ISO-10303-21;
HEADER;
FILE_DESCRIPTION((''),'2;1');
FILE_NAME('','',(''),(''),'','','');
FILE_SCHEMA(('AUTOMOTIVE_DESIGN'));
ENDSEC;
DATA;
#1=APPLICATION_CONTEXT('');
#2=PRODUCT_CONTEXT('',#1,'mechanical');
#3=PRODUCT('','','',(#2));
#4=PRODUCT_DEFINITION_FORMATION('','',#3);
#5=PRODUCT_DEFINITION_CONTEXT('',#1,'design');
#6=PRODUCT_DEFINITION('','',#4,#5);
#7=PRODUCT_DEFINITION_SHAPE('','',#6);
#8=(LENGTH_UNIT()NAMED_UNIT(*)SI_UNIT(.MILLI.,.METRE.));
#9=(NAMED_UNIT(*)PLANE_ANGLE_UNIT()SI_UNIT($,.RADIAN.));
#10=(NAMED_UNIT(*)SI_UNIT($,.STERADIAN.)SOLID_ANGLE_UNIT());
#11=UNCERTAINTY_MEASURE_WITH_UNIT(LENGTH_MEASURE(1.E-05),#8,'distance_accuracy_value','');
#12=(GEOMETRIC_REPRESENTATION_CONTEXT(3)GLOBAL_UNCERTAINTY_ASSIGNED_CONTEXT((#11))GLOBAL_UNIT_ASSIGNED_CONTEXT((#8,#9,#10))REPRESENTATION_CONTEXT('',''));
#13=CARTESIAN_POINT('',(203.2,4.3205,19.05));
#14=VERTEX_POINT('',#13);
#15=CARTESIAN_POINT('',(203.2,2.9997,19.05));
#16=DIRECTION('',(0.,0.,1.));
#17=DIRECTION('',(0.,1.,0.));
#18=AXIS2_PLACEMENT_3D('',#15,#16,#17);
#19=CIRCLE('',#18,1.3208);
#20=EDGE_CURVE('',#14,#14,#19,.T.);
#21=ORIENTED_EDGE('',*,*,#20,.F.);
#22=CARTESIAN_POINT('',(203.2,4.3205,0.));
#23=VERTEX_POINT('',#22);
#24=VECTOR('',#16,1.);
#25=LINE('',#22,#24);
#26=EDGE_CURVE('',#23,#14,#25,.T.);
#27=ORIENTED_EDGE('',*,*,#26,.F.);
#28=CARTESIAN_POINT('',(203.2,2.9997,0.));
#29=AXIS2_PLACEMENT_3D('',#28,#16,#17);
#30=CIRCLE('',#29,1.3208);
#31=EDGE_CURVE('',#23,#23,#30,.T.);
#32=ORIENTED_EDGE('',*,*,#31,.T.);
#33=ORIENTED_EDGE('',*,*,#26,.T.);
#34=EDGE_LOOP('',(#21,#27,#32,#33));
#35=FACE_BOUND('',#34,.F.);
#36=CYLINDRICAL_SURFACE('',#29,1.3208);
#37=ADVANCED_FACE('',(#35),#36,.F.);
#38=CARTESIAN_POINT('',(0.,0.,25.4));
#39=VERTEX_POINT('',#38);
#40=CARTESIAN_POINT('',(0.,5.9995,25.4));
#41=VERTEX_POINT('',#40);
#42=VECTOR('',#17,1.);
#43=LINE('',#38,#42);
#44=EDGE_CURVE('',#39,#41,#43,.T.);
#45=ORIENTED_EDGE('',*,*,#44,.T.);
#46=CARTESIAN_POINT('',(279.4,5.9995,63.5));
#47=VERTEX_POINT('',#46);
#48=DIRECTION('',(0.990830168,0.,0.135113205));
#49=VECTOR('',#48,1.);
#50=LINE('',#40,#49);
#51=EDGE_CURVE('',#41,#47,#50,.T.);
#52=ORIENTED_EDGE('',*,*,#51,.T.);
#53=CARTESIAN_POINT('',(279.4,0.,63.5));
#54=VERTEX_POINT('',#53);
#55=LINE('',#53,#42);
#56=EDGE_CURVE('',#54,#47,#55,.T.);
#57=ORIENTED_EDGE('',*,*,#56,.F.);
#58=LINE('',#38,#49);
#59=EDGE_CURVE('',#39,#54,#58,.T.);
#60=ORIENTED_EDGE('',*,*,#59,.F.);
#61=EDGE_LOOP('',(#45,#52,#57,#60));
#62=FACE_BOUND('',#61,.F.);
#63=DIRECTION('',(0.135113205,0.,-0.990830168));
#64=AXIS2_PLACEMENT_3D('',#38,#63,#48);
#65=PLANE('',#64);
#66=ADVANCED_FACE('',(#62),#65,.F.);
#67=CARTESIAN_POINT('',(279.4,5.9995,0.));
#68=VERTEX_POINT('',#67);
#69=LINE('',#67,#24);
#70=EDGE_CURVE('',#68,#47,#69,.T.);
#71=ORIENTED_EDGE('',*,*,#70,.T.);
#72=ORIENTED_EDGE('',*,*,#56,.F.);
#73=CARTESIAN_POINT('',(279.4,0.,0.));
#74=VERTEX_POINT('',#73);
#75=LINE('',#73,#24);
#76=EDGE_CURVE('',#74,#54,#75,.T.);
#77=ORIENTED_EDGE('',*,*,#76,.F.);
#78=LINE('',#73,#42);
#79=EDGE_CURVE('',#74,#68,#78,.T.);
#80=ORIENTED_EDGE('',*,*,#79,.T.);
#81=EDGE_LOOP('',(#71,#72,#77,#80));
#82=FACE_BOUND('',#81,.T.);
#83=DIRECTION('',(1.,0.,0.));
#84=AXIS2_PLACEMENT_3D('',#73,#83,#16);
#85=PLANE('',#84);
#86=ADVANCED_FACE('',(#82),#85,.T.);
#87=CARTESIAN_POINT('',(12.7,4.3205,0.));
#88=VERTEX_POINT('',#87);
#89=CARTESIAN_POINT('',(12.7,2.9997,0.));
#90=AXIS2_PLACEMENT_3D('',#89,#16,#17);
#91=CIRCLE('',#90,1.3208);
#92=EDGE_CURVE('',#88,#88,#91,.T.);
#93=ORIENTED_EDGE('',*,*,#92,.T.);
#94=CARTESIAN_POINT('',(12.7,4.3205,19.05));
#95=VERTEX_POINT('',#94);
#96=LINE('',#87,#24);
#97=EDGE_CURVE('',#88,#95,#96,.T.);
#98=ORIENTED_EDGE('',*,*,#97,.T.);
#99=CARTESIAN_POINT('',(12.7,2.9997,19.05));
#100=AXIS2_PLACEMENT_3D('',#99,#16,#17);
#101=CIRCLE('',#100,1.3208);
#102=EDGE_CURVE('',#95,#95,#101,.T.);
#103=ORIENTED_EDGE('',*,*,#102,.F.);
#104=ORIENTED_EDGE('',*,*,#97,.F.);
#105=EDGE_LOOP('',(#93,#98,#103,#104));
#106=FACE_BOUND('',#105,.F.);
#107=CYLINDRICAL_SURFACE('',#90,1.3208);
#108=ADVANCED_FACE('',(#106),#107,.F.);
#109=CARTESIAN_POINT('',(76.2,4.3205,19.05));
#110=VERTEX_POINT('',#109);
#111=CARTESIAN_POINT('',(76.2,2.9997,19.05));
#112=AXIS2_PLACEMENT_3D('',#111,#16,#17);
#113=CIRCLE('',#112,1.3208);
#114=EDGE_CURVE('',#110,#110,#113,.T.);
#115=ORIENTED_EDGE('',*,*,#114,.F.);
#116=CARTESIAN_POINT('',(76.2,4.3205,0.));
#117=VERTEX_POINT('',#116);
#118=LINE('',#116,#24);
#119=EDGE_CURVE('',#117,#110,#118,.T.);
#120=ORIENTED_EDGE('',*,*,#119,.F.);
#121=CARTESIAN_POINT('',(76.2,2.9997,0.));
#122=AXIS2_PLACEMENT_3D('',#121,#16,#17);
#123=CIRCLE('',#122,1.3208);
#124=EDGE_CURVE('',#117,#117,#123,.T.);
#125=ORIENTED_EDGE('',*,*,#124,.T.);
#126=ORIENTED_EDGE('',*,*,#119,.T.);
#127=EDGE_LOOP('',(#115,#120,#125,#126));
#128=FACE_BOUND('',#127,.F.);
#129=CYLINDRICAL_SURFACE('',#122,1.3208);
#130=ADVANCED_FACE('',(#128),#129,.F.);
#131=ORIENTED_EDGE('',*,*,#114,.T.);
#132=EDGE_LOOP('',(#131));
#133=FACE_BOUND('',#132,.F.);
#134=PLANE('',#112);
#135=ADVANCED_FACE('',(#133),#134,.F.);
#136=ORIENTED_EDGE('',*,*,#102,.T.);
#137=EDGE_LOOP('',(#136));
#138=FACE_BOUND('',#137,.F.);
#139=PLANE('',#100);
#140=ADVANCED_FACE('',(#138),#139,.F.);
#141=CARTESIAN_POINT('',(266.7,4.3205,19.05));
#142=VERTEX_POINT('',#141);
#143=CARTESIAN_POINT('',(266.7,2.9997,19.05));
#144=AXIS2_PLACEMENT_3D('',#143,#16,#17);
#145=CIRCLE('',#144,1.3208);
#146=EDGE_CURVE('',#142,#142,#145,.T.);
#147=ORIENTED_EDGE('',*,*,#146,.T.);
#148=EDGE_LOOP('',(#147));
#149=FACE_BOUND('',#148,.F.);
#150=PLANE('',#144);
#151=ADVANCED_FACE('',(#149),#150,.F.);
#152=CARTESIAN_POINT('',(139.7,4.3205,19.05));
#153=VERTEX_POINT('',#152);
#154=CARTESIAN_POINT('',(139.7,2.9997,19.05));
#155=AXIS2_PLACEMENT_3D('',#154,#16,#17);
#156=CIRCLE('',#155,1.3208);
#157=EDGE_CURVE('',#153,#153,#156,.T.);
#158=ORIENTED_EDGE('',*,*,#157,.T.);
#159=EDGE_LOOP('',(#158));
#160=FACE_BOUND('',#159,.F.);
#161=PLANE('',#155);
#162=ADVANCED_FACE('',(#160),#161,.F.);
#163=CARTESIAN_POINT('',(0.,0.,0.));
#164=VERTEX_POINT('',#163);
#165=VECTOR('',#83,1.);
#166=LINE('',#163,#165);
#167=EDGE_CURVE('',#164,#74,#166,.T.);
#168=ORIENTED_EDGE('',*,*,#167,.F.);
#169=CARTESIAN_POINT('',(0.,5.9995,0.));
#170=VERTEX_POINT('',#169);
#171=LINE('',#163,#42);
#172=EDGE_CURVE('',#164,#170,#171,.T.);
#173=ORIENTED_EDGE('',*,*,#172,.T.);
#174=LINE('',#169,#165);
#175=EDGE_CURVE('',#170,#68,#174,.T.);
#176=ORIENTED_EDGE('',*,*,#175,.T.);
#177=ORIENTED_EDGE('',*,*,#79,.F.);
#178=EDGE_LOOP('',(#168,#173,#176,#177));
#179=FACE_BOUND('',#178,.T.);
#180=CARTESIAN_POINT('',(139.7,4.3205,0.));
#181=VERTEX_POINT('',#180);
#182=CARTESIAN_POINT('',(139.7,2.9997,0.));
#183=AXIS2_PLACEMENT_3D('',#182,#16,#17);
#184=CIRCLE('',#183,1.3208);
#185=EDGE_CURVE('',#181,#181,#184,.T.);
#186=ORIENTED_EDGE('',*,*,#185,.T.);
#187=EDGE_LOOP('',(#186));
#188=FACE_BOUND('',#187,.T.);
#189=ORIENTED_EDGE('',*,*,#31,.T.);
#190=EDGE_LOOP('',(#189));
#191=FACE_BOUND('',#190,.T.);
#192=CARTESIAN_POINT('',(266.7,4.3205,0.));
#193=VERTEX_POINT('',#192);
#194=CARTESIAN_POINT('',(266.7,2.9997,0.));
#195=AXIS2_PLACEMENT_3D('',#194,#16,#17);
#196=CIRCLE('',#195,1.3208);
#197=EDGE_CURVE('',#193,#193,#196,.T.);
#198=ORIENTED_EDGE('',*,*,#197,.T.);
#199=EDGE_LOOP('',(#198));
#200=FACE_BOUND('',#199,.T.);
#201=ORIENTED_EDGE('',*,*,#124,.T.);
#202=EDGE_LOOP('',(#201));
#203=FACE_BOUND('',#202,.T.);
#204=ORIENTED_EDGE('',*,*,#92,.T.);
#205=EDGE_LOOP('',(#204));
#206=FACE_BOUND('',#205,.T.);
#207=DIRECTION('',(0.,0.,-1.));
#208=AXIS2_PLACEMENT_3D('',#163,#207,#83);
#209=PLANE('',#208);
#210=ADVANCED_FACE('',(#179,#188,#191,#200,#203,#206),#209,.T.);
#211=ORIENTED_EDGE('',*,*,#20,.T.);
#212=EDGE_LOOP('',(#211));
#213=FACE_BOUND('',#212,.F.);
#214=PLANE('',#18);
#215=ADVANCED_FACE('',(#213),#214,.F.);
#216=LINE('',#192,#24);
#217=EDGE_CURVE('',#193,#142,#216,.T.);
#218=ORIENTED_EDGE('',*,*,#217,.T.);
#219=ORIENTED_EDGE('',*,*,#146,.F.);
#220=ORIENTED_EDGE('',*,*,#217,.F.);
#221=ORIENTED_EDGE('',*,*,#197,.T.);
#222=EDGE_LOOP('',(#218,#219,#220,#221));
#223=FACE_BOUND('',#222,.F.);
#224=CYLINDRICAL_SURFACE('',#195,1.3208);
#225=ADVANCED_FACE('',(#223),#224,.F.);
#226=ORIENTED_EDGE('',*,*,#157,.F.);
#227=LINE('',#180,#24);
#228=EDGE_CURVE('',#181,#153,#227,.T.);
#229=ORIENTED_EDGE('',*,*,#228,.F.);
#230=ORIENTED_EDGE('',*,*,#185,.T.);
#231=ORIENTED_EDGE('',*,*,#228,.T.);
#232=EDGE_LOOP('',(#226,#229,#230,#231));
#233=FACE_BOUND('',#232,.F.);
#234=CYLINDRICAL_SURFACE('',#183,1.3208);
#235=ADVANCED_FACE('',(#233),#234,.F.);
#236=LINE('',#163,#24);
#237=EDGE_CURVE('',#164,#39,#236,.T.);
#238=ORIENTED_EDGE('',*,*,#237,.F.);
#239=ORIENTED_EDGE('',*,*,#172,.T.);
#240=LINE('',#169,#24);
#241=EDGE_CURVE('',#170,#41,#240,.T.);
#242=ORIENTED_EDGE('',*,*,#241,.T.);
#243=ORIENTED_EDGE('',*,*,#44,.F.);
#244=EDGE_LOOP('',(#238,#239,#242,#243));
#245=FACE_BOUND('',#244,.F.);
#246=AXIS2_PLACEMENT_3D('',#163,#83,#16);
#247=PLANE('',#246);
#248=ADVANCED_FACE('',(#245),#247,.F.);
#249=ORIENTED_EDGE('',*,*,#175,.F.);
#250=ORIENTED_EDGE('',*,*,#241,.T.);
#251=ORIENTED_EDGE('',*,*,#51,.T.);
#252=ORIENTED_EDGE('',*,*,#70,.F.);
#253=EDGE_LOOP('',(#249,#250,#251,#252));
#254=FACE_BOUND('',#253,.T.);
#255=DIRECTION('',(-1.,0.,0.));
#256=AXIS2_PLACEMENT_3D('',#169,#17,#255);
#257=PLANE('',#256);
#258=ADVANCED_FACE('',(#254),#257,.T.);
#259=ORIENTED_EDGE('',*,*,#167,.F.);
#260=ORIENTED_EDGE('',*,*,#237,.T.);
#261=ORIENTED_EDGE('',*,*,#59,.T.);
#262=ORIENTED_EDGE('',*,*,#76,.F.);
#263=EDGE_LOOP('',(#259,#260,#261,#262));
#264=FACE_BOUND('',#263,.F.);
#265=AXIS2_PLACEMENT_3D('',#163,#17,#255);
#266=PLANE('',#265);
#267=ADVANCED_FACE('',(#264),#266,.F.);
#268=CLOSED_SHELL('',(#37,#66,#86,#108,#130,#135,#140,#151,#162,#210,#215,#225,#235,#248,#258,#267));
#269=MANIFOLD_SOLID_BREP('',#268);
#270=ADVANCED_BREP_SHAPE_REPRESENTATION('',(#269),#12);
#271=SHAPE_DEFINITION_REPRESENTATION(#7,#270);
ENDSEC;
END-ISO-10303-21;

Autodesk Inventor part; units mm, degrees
ref_plane "YZ Plane" through (0, 0, 0) normal (1, 0, 0) x (0, 1, 0)
ref_plane "XZ Plane" through (0, 0, 0) normal (0, 1, 0) x (-1, 0, 0)
ref_plane "XY Plane" through (0, 0, 0) normal (0, 0, 1) x (1, 0, 0)
sketch "Sketch1" plane through (0, 0, 0) normal (0, 1, 0) x (-1, 0, 0)
  line L0 (0, 0) -> (0, 25.4)
  line L1 (0, 0) -> (-279.4, 0)
  line L2 (-279.4, 0) -> (-279.4, 63.5)
  line L3 (0, 25.4) -> (-279.4, 63.5)
  dimension "d0" = 279.4
  dimension "d1" = 25.4
  dimension "d2" = 63.5
extrude "Extrusion1" add sketch "Sketch1" along normal blind 5.9995
sketch "Sketch2" plane through (279.4, 0, 0) normal (0, 0, -1) x (-1, 0, 0)
  line L0 (0, 0) -> (0, 5.9995) projected
  line L1 (279.4, 0) -> (279.4, 5.9995) projected
  line L2 (0, 0) -> (279.4, 0) projected
  point P0 (12.7, 2.9997)
  point P1 (76.2, 2.9997)
  point P2 (139.7, 2.9997)
  point P3 (203.2, 2.9997)
  point P4 (266.7, 2.9997)
  dimension "d5" = 12.7
  dimension "d6" = 12.7
  dimension "d7" = 2.9997
  dimension "d8" = 63.5
  dimension "d9" = 63.5
  dimension "d10" = 63.5
  dimension "d11" = 63.5
hole "Hole1" at (266.7, 2.9997, 0) at (203.2, 2.9997, 0) at (139.7, 2.9997, 0) at (76.2, 2.9997, 0) at (12.7, 2.9997, 0) direction (0, 0, 1) diameter 2.6416 depth 19.05 thread size "6-32 UNC" class "2B" standard "ANSI Unified Screw Threads"
properties part number "Mount_Support"
